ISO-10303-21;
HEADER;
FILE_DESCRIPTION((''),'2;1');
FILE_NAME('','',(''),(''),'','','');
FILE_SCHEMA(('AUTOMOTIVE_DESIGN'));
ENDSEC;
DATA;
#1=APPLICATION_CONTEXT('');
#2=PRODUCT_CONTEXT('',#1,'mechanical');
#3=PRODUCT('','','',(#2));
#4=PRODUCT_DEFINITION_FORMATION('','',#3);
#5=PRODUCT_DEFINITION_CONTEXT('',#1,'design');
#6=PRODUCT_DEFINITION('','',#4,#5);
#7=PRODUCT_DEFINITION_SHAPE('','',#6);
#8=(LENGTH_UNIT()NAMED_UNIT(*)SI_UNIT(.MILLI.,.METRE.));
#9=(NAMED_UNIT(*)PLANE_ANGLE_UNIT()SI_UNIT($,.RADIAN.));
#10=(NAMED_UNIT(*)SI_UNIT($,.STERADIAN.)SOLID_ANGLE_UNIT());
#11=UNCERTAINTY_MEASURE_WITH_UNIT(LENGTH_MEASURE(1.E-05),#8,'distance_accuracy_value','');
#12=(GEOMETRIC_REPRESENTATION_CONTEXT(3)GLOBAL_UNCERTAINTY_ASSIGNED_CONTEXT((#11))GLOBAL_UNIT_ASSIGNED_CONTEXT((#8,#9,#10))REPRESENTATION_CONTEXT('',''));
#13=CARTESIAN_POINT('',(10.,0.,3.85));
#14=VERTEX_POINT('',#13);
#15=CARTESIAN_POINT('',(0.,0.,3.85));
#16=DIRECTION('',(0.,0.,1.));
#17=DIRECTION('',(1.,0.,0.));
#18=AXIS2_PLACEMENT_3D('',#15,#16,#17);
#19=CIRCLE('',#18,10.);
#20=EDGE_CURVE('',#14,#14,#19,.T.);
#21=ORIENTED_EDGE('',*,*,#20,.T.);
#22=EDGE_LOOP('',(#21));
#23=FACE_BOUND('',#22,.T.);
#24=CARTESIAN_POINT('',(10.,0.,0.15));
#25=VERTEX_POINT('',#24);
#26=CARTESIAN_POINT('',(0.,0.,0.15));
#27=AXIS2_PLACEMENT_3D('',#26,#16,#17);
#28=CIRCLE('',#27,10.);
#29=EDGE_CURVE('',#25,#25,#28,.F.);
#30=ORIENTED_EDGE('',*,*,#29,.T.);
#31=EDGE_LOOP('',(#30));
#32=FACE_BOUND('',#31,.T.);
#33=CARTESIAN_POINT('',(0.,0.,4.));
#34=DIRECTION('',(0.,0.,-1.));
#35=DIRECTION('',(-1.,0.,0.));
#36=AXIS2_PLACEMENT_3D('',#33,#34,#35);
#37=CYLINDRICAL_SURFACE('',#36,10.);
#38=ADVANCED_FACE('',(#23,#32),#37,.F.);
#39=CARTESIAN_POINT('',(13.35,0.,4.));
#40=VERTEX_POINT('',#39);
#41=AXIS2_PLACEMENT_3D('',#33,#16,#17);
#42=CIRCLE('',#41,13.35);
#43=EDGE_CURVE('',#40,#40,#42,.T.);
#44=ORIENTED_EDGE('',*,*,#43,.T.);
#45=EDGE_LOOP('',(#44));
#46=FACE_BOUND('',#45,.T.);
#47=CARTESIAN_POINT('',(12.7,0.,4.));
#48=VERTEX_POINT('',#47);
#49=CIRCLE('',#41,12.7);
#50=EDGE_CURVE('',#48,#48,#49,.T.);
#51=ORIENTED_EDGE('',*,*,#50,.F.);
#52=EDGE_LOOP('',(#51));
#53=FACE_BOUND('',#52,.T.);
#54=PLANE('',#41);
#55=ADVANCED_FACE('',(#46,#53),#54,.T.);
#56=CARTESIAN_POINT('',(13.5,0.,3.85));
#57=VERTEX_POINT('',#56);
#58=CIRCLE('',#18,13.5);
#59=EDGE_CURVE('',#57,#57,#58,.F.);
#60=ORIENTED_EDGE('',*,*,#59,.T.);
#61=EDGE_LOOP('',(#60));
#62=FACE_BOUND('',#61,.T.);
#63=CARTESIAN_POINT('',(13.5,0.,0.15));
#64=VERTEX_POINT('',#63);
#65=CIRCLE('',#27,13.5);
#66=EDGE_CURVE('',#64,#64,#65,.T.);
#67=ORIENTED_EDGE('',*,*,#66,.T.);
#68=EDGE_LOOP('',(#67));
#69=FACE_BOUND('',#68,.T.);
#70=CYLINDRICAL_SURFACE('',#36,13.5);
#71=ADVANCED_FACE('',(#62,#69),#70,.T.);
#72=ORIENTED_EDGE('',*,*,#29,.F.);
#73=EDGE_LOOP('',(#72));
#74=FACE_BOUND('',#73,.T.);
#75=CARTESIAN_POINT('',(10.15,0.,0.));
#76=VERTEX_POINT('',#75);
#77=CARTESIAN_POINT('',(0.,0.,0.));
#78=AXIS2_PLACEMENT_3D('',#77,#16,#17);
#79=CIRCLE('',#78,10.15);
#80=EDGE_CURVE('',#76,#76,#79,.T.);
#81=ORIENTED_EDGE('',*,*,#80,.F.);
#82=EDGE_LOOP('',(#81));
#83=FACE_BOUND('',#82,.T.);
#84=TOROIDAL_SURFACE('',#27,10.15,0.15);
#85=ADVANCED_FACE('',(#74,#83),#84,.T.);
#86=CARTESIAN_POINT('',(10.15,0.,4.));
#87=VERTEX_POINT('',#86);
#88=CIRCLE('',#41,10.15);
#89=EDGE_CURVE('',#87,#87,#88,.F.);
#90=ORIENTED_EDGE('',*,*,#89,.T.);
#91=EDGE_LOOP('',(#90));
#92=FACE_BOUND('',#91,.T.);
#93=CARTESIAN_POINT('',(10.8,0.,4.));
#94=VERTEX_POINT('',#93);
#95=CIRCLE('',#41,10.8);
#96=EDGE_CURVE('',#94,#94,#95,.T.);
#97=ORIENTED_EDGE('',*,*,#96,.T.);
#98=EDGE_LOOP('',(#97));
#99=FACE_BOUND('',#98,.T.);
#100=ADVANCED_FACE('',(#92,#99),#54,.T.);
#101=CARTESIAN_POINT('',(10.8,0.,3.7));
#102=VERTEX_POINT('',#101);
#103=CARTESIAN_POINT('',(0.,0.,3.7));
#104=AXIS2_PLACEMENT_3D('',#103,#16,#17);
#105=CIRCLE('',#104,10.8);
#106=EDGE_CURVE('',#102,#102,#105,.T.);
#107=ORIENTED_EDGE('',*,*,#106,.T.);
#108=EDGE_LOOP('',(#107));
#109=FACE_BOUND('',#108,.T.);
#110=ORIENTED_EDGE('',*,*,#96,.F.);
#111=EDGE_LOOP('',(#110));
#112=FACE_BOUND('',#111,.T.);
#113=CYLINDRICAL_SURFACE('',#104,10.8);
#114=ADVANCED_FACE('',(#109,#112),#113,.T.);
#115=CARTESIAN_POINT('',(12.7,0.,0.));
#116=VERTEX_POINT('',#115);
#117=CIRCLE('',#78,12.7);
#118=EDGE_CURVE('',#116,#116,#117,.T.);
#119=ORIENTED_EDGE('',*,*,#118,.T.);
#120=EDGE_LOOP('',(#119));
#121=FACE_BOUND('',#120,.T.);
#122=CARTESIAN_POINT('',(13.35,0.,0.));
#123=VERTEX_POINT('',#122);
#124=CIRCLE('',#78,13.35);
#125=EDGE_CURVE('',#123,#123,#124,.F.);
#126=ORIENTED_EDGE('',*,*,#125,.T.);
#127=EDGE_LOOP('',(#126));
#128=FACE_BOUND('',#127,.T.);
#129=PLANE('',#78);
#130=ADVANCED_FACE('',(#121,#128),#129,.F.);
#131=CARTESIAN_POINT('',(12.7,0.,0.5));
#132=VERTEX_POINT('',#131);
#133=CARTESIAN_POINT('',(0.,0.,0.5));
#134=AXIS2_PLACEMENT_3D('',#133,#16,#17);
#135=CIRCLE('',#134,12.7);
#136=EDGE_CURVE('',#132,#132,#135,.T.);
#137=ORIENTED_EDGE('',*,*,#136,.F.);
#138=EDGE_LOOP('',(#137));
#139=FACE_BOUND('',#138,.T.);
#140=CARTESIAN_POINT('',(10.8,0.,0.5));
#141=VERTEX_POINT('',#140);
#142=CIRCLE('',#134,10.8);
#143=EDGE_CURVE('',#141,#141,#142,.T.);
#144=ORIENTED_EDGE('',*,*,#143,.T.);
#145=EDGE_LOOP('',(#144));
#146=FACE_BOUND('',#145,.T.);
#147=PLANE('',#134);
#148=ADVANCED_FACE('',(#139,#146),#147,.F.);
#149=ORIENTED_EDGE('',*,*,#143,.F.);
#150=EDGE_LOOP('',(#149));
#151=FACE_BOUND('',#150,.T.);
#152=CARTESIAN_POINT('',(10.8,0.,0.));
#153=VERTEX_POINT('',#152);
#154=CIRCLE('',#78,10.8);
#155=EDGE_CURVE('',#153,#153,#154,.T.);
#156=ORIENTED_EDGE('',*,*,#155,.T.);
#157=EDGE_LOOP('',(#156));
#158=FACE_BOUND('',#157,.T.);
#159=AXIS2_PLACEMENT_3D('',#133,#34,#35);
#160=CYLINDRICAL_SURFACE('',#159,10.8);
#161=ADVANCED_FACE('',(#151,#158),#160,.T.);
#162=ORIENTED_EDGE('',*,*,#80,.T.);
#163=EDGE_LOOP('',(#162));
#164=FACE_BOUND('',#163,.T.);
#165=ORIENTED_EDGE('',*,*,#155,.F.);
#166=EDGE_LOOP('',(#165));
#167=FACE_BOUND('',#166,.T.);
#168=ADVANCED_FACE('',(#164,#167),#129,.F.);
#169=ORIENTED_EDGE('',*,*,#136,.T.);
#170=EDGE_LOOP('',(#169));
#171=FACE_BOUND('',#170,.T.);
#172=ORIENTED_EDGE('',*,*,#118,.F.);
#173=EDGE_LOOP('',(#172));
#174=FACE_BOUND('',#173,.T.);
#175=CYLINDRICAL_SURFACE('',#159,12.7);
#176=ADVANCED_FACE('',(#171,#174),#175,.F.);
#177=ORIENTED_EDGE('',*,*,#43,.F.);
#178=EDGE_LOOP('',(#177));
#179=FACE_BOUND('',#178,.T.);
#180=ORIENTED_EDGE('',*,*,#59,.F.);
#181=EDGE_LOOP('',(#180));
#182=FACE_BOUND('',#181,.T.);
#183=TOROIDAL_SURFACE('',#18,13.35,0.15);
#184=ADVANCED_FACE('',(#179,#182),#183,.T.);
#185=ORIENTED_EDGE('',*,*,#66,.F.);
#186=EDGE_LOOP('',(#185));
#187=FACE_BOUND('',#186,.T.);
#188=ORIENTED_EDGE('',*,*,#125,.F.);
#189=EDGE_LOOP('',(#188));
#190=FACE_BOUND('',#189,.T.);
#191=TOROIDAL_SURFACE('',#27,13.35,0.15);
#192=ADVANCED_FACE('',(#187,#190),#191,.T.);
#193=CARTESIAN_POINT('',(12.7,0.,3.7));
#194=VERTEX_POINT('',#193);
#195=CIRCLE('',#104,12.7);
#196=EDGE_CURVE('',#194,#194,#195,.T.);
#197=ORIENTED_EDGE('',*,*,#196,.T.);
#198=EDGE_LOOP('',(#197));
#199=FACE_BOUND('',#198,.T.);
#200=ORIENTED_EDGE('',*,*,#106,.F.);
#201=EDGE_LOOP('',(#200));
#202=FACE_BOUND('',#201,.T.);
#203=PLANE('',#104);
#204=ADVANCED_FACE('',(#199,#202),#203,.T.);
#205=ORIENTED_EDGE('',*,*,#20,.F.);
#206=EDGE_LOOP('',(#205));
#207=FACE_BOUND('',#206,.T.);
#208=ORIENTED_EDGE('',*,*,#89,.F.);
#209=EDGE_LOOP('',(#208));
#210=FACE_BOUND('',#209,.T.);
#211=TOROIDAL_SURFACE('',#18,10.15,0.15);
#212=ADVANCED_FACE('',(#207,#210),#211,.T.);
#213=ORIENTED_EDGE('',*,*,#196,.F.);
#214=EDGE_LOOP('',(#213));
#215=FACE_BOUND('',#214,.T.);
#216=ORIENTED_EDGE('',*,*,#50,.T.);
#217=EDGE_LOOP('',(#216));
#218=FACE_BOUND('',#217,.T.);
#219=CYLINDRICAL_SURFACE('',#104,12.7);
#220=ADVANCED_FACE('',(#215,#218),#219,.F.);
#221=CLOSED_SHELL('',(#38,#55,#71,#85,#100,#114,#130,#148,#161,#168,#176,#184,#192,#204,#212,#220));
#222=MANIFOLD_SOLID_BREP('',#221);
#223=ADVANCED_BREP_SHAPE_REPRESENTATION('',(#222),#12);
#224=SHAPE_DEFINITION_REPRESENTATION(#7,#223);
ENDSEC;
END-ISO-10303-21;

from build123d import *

# Parameters (mm, degrees)
SKETCH1_R           = 13.5
SKETCH1_R_2         = 10
BOSS_EXTRUDE1_DEPTH = 4
SKETCH2_R           = 12.7
SKETCH2_R_2         = 10.8
CUT_EXTRUDE1_DEPTH  = 0.3
CUT_EXTRUDE2_START  = -3.5
SKETCH2_2_R         = 12.7
SKETCH2_2_R_2       = 10.8
CUT_EXTRUDE2_DEPTH  = 0.5
FILLET1_R           = 0.15


with BuildPart() as part:
    # Sketch1 → Boss-Extrude1 (new body)
    with BuildSketch(Plane.XY):
        Circle(SKETCH1_R)
        Circle(SKETCH1_R_2, mode=Mode.SUBTRACT)
    extrude(amount=BOSS_EXTRUDE1_DEPTH)

    # Sketch2 → Cut-Extrude1 (cut)
    with BuildSketch(Plane.XY.offset(4)):
        Circle(SKETCH2_R)
        Circle(SKETCH2_R_2, mode=Mode.SUBTRACT)
    extrude(amount=-CUT_EXTRUDE1_DEPTH, mode=Mode.SUBTRACT)

    # Sketch2<2> → Cut-Extrude2 (cut)
    with BuildSketch(Plane.XY.offset(4).offset(CUT_EXTRUDE2_START)):
        Circle(SKETCH2_2_R)
        Circle(SKETCH2_2_R_2, mode=Mode.SUBTRACT)
    extrude(amount=-CUT_EXTRUDE2_DEPTH, mode=Mode.SUBTRACT)

    # Fillet1
    fillet1_edges = [part.edges().sort_by_distance(p)[0] for p in [
        (-13.5, 0, 0),
        (-13.5, 0, 4),
        (-10, 0, 0),
        (-10, 0, 4),
    ]]
    fillet(fillet1_edges, radius=FILLET1_R)


solid = part.part
